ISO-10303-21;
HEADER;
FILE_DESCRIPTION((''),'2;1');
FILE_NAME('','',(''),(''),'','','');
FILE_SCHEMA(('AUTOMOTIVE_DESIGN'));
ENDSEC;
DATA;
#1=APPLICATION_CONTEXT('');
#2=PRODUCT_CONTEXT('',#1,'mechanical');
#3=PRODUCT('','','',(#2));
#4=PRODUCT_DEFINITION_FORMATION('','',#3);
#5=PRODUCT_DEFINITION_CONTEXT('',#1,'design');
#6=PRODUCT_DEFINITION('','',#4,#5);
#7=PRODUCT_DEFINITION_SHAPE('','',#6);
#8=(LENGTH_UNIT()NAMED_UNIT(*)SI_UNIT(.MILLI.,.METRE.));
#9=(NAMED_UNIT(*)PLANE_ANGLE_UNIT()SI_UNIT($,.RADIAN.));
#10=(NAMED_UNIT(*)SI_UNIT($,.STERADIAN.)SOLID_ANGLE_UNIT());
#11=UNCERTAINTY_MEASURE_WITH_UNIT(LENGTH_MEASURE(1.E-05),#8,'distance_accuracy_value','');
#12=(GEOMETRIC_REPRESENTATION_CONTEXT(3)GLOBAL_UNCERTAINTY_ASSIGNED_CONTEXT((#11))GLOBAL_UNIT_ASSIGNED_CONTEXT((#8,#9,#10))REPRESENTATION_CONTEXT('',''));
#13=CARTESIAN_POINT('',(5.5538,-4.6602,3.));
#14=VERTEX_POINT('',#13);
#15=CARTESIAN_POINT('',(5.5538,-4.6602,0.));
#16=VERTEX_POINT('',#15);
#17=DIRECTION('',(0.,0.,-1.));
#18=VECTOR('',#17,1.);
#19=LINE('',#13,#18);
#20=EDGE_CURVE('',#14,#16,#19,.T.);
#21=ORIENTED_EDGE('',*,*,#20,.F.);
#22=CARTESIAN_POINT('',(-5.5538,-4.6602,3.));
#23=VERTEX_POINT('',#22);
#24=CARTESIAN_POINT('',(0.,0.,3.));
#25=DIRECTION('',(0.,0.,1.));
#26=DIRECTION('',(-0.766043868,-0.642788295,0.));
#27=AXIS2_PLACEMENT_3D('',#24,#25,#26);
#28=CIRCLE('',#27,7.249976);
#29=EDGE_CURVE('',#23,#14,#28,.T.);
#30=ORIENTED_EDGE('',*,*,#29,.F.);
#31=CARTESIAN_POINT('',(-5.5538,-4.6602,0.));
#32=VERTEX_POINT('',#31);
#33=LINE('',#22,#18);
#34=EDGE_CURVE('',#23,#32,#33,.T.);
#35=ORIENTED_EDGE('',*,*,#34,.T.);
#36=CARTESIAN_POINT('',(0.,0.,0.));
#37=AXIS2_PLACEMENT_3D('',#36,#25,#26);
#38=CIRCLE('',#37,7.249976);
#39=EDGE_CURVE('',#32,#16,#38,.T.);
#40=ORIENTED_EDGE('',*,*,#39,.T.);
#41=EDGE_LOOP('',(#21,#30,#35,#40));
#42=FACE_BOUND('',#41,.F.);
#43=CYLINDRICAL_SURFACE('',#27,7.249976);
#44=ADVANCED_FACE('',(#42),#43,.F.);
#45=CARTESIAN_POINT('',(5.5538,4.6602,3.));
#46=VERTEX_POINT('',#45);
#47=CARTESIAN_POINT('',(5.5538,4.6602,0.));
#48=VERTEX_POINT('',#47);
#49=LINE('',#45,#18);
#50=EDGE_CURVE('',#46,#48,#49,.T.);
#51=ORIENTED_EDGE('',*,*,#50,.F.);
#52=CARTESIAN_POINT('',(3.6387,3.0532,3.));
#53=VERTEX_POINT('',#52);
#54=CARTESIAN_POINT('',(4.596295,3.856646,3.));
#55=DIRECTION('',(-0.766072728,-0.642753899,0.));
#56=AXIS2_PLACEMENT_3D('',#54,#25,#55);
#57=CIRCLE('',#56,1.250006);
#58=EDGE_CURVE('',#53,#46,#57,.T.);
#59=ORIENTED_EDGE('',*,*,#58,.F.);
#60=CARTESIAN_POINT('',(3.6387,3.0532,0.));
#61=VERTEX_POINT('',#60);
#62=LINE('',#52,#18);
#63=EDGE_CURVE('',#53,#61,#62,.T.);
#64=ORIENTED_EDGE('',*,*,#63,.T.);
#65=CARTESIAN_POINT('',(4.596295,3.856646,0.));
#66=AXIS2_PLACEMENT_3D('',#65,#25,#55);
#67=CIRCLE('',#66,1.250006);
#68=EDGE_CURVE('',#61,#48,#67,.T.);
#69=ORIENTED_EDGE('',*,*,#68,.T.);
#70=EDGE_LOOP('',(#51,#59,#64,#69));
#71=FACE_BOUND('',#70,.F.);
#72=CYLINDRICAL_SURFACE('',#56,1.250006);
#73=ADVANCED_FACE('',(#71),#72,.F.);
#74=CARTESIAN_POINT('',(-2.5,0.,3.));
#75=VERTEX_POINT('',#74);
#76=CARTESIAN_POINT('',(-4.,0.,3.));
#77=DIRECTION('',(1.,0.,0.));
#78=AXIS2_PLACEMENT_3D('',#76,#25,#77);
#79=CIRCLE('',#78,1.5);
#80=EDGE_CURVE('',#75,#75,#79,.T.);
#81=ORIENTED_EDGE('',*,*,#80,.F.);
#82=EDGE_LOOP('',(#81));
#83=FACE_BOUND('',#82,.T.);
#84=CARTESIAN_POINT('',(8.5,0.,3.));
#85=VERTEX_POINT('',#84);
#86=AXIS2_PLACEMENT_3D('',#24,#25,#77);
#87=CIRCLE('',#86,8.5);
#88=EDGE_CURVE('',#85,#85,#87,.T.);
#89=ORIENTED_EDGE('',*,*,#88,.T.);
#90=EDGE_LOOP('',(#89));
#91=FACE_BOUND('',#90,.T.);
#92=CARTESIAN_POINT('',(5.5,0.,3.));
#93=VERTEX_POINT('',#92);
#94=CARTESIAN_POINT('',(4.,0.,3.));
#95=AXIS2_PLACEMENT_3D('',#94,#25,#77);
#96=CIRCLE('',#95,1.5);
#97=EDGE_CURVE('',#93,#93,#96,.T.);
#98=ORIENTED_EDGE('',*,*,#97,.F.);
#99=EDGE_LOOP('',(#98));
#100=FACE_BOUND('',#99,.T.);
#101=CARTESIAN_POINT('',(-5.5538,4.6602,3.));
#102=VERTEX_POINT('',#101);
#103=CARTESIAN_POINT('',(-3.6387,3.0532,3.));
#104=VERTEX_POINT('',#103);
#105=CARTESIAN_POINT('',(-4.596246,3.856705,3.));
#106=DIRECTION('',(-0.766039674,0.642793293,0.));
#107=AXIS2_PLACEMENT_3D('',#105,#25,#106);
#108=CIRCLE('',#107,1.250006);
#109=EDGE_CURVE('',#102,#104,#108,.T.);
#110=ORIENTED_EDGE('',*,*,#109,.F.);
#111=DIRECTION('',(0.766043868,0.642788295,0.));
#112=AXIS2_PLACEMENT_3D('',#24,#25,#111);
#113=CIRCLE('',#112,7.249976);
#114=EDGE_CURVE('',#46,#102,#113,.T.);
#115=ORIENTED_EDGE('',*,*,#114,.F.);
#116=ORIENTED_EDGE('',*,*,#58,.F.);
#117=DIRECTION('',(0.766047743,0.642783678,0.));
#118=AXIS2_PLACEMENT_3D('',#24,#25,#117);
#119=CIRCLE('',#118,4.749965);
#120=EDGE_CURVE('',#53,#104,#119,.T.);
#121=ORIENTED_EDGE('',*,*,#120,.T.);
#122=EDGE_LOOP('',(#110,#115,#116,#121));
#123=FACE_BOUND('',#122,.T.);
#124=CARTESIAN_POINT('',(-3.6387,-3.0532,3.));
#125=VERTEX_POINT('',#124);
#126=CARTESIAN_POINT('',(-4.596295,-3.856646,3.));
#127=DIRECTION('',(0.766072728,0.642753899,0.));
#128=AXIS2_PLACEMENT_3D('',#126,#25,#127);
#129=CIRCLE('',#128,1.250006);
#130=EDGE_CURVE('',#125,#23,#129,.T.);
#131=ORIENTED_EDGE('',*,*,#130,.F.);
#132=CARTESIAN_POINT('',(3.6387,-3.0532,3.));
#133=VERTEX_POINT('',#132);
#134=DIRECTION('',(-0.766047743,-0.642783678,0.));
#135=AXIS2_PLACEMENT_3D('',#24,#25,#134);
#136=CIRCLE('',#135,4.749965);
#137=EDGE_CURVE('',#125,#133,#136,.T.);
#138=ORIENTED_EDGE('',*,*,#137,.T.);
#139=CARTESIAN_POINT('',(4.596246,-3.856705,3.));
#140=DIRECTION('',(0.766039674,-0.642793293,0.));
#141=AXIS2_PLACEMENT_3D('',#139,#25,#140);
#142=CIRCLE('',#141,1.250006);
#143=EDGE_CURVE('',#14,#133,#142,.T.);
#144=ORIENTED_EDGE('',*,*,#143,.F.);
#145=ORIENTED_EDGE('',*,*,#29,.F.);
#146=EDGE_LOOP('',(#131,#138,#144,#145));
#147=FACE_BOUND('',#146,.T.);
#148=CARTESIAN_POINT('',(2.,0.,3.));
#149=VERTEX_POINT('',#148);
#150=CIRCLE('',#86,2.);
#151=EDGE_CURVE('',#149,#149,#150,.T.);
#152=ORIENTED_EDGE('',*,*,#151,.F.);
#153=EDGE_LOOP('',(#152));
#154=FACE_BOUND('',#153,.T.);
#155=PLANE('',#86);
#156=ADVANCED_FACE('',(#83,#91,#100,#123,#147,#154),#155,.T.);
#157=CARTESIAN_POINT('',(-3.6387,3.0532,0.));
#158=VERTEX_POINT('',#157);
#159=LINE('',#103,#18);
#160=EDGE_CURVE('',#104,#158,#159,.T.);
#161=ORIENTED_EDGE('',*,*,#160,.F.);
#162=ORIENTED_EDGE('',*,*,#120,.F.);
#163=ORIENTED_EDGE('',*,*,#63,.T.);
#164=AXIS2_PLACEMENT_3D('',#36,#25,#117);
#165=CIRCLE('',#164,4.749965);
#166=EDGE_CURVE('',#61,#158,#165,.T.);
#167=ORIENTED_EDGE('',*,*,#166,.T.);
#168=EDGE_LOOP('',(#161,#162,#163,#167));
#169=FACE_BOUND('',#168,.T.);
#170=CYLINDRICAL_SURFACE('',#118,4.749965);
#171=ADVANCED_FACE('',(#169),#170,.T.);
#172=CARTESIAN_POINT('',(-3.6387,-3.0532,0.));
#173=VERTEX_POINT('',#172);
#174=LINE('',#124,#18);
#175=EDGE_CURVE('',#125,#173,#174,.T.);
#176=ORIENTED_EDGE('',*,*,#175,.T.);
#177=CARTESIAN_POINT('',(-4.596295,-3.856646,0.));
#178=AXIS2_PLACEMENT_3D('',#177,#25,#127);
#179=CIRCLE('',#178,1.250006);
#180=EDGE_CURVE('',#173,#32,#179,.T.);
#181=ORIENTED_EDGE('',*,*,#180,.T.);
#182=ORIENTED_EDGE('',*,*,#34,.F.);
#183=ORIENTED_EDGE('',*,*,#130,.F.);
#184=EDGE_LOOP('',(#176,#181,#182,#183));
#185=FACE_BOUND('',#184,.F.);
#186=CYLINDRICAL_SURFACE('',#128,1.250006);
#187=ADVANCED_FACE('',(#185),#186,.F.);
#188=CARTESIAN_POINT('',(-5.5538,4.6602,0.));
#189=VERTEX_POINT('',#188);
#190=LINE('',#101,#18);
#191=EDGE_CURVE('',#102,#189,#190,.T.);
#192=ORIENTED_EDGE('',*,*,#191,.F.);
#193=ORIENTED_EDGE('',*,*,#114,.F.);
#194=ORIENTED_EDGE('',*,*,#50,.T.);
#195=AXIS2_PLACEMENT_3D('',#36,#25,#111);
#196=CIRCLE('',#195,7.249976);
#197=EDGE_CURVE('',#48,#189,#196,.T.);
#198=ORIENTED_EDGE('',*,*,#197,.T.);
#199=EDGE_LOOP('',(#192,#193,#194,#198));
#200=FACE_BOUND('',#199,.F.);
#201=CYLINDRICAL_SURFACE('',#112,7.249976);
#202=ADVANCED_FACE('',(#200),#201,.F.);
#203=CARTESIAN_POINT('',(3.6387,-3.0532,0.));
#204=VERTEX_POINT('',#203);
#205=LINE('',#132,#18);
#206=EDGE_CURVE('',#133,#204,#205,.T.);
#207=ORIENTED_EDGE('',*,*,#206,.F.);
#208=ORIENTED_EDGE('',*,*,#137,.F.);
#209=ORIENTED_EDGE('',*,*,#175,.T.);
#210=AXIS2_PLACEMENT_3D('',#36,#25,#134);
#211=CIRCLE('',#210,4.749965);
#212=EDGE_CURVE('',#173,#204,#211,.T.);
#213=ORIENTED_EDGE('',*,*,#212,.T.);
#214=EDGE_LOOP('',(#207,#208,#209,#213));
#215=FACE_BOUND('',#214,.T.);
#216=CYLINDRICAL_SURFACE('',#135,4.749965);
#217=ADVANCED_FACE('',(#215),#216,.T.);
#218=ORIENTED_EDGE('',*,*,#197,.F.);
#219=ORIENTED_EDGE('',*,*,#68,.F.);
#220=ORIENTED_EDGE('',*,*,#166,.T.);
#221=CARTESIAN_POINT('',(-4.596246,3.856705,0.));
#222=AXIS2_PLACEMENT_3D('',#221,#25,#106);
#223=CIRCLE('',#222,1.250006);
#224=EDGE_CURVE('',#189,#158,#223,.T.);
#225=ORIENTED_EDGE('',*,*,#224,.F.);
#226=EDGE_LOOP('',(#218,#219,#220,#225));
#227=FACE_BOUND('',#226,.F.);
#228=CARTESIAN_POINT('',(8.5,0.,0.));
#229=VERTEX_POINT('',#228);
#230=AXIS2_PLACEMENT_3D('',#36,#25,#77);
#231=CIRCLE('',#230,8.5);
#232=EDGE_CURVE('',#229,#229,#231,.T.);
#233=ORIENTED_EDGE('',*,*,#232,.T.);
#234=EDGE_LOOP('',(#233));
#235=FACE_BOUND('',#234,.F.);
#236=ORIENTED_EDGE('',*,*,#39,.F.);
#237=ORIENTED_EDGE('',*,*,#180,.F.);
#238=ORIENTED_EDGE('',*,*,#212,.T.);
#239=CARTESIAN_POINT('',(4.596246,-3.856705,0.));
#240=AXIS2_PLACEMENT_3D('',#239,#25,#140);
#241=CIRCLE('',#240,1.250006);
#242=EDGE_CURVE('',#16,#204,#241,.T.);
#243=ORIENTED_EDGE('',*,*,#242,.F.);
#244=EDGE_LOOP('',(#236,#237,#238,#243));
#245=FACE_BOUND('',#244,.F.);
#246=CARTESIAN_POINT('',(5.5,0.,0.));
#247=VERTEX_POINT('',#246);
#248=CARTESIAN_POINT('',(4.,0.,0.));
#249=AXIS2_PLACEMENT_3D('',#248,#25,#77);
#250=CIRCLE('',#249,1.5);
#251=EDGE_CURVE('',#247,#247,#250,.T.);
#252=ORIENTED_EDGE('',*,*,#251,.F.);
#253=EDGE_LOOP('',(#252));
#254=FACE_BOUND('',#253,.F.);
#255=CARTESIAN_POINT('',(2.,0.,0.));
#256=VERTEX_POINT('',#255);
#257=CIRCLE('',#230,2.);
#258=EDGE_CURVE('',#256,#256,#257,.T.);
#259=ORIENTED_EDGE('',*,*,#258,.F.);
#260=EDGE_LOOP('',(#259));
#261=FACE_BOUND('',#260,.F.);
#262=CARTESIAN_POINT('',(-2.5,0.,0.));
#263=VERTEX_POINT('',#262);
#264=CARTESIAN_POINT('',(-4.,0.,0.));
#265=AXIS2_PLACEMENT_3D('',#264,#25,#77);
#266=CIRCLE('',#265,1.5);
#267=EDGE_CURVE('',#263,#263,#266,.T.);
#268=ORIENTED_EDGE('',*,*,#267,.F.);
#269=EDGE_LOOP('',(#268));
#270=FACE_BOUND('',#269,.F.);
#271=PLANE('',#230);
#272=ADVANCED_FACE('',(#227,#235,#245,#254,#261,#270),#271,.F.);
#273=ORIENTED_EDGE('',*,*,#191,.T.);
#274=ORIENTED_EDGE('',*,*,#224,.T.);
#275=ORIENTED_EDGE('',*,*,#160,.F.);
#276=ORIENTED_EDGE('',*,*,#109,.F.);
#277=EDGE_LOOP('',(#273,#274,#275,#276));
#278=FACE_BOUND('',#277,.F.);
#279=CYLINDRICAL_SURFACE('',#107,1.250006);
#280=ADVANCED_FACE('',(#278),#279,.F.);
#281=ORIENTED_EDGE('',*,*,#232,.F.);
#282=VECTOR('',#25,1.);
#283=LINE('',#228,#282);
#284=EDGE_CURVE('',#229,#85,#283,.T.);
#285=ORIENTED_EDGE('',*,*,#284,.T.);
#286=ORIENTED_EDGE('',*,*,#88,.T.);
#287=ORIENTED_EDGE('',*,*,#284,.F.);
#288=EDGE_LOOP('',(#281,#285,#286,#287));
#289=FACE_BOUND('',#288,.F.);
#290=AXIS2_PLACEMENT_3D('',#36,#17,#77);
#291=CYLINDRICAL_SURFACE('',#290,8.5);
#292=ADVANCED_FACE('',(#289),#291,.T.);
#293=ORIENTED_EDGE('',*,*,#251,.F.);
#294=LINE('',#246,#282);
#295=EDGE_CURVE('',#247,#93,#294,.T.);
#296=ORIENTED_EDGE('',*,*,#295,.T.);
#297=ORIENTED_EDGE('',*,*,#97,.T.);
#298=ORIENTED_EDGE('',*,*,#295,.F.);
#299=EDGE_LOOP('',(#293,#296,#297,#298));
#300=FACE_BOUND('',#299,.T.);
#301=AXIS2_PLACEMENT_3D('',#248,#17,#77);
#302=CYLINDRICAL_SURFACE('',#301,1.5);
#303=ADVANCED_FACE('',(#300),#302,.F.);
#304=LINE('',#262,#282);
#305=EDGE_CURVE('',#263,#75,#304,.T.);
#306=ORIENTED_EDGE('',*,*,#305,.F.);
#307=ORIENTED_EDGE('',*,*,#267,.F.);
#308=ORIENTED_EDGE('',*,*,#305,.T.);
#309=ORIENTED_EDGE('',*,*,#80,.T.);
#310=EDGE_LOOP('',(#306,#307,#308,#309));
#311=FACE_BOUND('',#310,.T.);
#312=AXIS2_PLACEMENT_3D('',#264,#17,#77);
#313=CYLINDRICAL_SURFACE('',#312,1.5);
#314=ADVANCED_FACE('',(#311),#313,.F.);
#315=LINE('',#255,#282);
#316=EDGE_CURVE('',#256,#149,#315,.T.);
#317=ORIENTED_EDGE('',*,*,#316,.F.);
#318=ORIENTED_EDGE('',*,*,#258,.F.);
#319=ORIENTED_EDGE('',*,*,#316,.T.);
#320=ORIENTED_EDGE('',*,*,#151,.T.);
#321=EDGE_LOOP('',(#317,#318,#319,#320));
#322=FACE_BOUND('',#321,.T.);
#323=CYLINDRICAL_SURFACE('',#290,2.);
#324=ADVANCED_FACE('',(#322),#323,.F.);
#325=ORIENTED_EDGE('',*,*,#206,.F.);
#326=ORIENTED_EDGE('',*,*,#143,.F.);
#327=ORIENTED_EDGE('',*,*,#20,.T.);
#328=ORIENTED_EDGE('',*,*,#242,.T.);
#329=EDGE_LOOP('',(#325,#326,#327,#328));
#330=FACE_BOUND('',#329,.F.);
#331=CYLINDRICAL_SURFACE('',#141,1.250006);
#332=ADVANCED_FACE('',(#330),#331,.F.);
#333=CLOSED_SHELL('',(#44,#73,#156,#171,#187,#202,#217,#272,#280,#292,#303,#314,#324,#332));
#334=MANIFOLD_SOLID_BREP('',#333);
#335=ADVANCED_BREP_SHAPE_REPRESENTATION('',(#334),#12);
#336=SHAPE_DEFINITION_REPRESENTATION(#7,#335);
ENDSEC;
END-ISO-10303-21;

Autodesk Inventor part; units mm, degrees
ref_plane "YZ Plane" through (0, 0, 0) normal (1, 0, 0) x (0, 1, 0)
ref_plane "XZ Plane" through (0, 0, 0) normal (0, 1, 0) x (-1, 0, 0)
ref_plane "XY Plane" through (0, 0, 0) normal (0, 0, 1) x (1, 0, 0)
sketch "スケッチ1" plane through (0, 0, 0) normal (0, 0, 1) x (1, 0, 0)
  line L0 (0, 0) -> (-4, 0) construction
  circle A0 centre (-4, 0) radius 1.5
  line L1 (0, 0) -> (4, 0) construction
  circle A1 centre (4, 0) radius 1.5
  line L2 (0, 0) -> (0, 4.3) construction
  line L3 (0, 0) -> (-8.8388, 8.8388) construction
  circle A2 centre (-8.8388, 8.8388) radius 1.5
  line L4 (0, 0) -> (-8.8388, -8.8388) construction
  circle A3 centre (-8.8388, -8.8388) radius 1.5
  line L5 (0, 0) -> (8.8388, -8.8388) construction
  circle A4 centre (8.8388, -8.8388) radius 1.5
  line L6 (0, 0) -> (8.8388, 8.8388) construction
  circle A5 centre (8.8388, 8.8388) radius 1.5
  circle A6 centre (0, 0) radius 8.5
  circle A7 centre (0, 0) radius 15.5
  circle A8 centre (0, 0) radius 2
  dimension "d0" = 4
  dimension "d1" = 3
  dimension "d4" = 360
  dimension "d6" = 12.5
  dimension "d7" = 3
  dimension "d8" = 45
  dimension "d11" = 360
  dimension "d14" = 17
  dimension "d15" = 1.5
  dimension "d16" = 4
extrude "押し出し1" add sketch "スケッチ1" along normal blind 3 contours A6
sketch "スケッチ4" plane through (0, 0, 3) normal (0, 0, 1) x (1, 0, 0)
  circle A0 centre (0, 0) radius 8.5 projected
  circle A1 centre (-4, 0) radius 1.5 projected
  circle A2 centre (4, 0) radius 1.5 projected
  circle A3 centre (0, 0) radius 2 projected
  line L0 (0, 0) -> (-4.5963, 3.8567)
  line L1 (0, 0) -> (6, 0) construction
  line L2 (0, 0) -> (4.5963, 3.8567)
  line L3 (0, 0) -> (6, 0) construction
  arc A4 (4.5963, 3.8567) -> (-4.5963, 3.8567) centre (0, 0) ccw construction
  arc A5 (5.5538, 4.6602) -> (-5.5538, 4.6602) centre (0, 0) ccw
  arc A6 (3.6387, 3.0532) -> (-3.6387, 3.0532) centre (0, 0) ccw
  arc A7 (3.6387, 3.0532) -> (5.5538, 4.6602) centre (4.5963, 3.8567) ccw
  arc A8 (-5.5538, 4.6602) -> (-3.6387, 3.0532) centre (-4.5963, 3.8567) ccw
  line L4 (-4, 0) -> (4, 0)
  arc A9 (-5.5538, -4.6602) -> (5.5538, -4.6602) centre (0, 0) ccw
  arc A10 (-3.6387, -3.0532) -> (3.6387, -3.0532) centre (0, 0) ccw
  arc A11 (5.5538, -4.6602) -> (3.6387, -3.0532) centre (4.5963, -3.8567) ccw
  arc A12 (-3.6387, -3.0532) -> (-5.5538, -4.6602) centre (-4.5963, -3.8567) ccw
  dimension "d29" = 6
  dimension "d30" = 140
  dimension "d31" = 6
  dimension "d32" = 40
  dimension "d33" = 2.5
extrude "押し出し4" cut sketch "スケッチ4" against normal blind 3 contours A8 A5 A7 A6 | A12 A10 A11 A9
properties part number "脚中間フレームカム2" material "アセタール樹脂、白"
